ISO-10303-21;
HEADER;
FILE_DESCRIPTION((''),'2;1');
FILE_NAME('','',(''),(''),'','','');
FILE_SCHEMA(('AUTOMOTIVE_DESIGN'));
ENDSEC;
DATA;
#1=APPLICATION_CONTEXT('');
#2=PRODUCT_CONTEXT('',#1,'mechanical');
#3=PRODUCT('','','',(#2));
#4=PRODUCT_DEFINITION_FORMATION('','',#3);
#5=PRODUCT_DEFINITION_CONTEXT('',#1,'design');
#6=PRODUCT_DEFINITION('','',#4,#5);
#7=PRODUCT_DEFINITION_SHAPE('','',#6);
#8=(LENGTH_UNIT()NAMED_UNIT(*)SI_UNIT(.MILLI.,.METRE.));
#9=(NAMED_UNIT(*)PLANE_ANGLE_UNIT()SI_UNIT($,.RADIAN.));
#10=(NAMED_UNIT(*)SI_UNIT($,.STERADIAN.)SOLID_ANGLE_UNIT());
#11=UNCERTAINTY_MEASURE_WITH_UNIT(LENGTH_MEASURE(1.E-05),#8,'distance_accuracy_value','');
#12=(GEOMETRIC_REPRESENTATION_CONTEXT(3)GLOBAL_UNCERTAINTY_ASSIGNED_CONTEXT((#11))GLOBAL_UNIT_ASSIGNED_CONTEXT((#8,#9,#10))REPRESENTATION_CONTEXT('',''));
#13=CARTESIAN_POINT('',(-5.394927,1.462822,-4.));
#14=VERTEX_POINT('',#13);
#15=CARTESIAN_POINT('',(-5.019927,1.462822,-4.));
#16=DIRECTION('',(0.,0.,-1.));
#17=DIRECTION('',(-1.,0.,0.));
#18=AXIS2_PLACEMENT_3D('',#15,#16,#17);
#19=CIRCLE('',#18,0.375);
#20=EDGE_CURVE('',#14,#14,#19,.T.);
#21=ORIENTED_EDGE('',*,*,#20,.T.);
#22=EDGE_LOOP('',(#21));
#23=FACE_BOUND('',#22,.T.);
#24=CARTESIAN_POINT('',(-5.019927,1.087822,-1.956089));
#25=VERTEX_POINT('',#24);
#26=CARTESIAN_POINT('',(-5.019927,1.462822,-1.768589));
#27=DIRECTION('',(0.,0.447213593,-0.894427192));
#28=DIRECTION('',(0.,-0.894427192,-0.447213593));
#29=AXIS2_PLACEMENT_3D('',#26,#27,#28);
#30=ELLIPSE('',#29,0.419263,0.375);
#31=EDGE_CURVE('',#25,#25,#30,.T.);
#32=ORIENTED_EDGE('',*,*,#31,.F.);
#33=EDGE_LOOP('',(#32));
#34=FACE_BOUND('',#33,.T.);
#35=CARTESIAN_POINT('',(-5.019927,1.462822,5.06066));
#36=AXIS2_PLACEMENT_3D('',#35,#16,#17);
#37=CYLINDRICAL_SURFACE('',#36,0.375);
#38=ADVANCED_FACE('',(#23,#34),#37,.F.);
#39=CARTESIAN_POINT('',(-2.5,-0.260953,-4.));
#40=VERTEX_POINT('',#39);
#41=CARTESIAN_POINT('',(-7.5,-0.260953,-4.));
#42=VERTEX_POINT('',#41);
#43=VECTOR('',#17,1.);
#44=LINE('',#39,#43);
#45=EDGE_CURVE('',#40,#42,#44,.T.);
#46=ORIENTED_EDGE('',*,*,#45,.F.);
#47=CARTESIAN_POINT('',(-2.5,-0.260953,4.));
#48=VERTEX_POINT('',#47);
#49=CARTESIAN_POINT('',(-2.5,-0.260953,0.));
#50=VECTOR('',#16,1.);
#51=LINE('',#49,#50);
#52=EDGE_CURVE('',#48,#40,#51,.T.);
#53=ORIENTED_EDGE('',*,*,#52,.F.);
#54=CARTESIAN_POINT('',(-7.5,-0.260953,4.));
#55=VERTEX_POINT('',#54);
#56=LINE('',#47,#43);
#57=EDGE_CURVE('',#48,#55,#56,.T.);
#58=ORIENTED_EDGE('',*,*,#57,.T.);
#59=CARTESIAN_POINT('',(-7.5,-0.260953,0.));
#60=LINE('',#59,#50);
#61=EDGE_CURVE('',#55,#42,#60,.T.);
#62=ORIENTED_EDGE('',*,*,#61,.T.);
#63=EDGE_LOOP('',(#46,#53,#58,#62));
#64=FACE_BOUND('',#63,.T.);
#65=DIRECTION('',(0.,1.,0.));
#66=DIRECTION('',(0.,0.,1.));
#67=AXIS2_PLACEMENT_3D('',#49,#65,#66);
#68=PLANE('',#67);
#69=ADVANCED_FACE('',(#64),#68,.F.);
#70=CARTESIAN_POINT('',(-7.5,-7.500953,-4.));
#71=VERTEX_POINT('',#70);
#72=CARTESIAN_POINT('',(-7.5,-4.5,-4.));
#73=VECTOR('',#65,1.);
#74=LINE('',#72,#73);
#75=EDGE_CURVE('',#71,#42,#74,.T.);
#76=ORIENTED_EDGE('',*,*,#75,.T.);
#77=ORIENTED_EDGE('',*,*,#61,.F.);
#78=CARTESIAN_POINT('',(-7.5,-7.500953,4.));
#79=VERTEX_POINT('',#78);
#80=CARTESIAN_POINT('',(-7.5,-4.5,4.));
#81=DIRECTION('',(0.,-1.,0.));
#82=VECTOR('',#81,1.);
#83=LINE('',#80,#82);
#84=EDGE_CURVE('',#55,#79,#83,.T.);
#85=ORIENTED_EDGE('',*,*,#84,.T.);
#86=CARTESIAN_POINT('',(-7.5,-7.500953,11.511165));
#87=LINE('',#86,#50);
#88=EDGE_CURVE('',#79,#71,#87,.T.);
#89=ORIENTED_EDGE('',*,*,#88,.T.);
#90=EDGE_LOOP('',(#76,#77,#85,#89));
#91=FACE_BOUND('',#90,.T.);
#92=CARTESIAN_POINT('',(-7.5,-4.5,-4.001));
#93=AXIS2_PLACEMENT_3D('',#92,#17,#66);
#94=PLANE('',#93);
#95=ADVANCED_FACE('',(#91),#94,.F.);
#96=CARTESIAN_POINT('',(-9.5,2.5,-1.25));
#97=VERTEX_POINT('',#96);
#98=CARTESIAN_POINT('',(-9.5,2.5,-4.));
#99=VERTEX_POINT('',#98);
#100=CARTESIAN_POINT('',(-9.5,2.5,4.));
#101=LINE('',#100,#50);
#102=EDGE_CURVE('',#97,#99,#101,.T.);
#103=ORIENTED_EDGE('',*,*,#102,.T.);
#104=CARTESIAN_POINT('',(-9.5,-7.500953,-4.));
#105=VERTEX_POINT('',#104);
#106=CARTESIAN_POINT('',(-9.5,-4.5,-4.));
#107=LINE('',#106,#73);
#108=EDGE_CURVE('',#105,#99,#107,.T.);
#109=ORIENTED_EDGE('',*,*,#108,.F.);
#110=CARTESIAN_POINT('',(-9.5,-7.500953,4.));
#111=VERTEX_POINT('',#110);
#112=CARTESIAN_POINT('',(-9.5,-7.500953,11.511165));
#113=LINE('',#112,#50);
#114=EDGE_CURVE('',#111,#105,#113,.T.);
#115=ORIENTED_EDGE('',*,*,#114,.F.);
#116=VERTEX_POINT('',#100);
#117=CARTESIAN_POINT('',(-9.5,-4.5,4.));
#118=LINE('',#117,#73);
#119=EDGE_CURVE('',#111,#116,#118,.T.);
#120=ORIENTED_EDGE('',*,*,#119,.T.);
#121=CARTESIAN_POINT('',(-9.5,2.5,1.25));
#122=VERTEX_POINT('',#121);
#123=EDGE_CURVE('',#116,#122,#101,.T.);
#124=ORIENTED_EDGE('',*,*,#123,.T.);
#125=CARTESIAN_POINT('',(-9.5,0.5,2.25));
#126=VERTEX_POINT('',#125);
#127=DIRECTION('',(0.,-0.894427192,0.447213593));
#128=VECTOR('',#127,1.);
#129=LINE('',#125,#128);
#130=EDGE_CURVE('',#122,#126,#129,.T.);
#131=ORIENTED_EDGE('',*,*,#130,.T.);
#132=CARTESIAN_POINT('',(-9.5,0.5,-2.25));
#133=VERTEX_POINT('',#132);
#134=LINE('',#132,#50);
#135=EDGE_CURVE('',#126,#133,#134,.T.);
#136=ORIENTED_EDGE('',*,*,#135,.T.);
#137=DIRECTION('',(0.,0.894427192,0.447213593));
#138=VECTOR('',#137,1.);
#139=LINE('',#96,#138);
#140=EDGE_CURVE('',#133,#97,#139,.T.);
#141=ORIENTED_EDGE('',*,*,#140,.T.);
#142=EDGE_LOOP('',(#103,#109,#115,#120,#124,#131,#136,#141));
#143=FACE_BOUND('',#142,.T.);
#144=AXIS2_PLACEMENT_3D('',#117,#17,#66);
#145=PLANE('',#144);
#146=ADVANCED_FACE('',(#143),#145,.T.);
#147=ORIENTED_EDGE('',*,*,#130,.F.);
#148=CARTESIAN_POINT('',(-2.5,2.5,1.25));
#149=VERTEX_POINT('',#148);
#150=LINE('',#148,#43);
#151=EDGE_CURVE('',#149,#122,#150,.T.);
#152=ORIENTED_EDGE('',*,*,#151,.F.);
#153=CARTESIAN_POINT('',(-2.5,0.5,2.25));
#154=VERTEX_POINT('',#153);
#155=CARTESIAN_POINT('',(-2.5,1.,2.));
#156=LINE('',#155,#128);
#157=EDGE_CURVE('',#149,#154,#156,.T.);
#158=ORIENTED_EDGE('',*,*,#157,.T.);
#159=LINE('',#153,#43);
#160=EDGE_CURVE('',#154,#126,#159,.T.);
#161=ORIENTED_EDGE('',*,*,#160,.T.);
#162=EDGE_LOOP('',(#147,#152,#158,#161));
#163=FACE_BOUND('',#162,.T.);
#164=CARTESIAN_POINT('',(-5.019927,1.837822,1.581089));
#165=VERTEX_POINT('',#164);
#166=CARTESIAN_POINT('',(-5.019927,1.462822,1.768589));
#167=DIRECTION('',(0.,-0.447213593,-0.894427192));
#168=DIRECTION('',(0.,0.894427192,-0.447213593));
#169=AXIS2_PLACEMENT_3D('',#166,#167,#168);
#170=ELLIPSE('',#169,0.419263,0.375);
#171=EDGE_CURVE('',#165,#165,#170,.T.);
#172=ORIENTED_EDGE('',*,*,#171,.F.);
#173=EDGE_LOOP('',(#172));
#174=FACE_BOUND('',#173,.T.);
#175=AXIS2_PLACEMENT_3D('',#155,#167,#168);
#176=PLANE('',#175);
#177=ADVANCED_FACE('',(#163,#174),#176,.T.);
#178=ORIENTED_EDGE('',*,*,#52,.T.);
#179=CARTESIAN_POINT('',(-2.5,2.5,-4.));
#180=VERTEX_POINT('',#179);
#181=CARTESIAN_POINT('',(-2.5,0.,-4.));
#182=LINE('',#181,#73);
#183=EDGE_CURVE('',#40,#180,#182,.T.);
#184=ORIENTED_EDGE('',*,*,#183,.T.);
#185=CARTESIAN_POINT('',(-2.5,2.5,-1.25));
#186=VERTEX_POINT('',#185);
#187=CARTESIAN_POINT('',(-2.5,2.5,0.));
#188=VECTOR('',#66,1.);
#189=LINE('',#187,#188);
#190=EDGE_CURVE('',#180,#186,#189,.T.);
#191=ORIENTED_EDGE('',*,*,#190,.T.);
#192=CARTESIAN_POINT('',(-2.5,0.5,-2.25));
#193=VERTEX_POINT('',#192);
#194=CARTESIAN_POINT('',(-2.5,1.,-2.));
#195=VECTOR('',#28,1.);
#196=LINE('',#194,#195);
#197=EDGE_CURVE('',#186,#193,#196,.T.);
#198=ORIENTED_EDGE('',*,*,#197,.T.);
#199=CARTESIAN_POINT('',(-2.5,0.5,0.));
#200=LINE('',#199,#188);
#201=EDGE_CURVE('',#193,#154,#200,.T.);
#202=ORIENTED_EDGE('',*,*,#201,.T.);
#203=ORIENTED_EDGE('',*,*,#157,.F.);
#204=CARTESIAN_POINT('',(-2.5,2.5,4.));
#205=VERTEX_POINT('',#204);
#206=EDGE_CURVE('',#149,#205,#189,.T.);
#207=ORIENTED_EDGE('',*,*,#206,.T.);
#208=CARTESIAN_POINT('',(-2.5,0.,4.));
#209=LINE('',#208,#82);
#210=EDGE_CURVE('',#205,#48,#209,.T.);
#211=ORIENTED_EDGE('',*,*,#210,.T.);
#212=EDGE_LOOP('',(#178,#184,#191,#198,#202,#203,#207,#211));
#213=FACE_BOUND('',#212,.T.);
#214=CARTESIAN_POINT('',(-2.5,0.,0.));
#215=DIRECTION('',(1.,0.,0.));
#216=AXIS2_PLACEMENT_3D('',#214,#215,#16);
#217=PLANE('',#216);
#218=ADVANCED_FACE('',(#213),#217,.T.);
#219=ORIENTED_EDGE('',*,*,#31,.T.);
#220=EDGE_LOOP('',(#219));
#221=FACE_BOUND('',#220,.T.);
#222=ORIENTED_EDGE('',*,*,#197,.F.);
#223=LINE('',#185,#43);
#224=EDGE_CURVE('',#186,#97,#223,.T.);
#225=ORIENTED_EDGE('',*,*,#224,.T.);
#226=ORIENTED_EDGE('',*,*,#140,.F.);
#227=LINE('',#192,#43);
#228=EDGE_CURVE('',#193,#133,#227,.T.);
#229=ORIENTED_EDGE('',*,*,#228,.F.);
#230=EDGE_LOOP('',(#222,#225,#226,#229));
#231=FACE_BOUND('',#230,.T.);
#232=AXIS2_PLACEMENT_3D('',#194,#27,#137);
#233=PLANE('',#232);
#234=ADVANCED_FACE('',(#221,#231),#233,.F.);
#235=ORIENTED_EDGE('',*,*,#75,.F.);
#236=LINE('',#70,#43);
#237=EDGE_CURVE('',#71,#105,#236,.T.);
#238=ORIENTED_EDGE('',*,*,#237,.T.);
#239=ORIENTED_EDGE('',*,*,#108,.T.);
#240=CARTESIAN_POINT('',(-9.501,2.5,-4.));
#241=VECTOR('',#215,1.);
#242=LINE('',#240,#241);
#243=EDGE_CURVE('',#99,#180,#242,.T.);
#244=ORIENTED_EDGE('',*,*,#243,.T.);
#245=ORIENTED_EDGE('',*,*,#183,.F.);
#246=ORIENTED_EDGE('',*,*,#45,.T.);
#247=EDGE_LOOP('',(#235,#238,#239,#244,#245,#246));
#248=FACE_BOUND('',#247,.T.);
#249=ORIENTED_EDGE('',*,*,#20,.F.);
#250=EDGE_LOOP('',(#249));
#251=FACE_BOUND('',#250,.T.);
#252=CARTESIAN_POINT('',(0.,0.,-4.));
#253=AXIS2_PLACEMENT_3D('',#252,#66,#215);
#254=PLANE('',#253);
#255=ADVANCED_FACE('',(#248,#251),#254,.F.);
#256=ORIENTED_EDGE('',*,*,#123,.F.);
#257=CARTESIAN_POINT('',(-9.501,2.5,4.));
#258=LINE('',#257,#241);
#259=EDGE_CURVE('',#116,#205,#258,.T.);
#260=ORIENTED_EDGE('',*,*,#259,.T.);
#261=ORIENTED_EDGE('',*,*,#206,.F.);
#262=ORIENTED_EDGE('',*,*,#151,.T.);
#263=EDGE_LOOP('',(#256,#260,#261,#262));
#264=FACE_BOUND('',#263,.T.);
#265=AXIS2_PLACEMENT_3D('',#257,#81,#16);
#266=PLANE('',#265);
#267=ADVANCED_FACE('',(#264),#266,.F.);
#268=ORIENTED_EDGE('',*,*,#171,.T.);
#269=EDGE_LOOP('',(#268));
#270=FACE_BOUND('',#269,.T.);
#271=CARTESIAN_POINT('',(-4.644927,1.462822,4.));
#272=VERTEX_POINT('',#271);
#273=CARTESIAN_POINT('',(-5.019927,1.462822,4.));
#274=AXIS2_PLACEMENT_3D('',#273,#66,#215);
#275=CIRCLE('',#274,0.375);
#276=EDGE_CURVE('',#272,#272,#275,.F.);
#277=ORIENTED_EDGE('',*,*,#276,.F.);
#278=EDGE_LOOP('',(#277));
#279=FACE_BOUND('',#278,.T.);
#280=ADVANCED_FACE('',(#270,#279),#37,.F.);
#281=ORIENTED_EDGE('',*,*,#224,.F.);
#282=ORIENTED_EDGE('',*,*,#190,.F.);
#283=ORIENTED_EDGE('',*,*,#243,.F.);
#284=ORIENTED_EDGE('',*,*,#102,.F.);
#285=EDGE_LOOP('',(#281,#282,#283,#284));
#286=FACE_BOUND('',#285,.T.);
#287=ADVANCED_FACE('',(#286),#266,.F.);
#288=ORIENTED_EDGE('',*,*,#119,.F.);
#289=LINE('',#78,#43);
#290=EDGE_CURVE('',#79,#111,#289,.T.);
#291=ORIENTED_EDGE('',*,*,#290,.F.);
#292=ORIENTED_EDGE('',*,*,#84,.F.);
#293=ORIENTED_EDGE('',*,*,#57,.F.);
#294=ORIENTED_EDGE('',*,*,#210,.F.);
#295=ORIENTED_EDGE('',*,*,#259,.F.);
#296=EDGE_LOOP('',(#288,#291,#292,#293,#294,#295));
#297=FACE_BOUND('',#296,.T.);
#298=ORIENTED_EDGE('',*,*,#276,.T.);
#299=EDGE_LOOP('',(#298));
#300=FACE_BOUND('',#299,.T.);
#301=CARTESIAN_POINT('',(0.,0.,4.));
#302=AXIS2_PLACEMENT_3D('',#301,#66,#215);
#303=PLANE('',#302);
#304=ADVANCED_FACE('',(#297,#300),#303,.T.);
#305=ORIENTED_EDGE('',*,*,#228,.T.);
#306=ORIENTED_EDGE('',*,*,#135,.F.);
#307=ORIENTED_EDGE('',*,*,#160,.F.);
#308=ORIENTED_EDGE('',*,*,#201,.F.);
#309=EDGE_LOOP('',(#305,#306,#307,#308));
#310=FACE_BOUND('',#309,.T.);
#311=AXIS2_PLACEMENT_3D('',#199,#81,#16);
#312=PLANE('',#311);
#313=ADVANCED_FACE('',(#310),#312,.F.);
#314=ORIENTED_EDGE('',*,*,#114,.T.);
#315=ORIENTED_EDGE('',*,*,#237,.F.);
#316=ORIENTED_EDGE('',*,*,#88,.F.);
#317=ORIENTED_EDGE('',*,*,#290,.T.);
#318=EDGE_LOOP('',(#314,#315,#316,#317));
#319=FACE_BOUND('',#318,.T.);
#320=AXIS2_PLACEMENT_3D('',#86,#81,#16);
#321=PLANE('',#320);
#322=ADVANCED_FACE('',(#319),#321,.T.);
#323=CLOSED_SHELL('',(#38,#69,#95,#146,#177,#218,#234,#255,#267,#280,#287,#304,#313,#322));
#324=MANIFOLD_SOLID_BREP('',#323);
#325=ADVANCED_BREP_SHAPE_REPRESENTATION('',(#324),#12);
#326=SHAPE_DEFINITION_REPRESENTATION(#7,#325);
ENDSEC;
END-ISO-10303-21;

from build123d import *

# Parameters (mm, degrees)
SKETCH1_W           = 19
SKETCH1_H           = 9
BOSS_EXTRUDE1_DEPTH = 4
CUT_EXTRUDE1_REACH  = 10
SKETCH2_W           = 15
SKETCH2_H           = 7
CUT_EXTRUDE3_REACH  = 10
SKETCH5_W           = 2
SKETCH5_H           = 9
BOSS_EXTRUDE2_DEPTH = 5
CUT_EXTRUDE4_REACH  = 19
SKETCH7_W           = 8
SKETCH7_H           = 2
SKETCH8_R           = 0.375
CUT_EXTRUDE6_DEPTH  = 8
SKETCH9_W           = 2
SKETCH9_H           = 7.24
BOSS_EXTRUDE3_DEPTH = 8
CUT_EXTRUDE7_REACH  = 4


with BuildPart() as part:
    # Sketch1 → Boss-Extrude1 (new body, symmetric)
    with BuildSketch(Plane.XY):
        Rectangle(SKETCH1_W, SKETCH1_H)
    extrude(amount=BOSS_EXTRUDE1_DEPTH, both=True)

    # Sketch2 → Cut-Extrude1 (cut, up to next)
    with BuildSketch(Plane.XY.offset(4), mode=Mode.PRIVATE) as cut_extrude1_sk1:
        with Locations((0, -1)):
            Rectangle(SKETCH2_W, SKETCH2_H)
    cut_extrude1_tool1 = extrude(cut_extrude1_sk1.sketch, amount=-CUT_EXTRUDE1_REACH, mode=Mode.PRIVATE) & part.part
    add(cut_extrude1_tool1.solids().sort_by_distance((0, -1, 4))[0], mode=Mode.SUBTRACT)

    # Sketch5 → Cut-Extrude3 (cut, up to next)
    with BuildSketch(Plane.XY.offset(4), mode=Mode.PRIVATE) as cut_extrude3_sk1:
        with Locations((8.5, 0)):
            Rectangle(SKETCH5_W, SKETCH5_H)
    cut_extrude3_tool1 = extrude(cut_extrude3_sk1.sketch, amount=-CUT_EXTRUDE3_REACH, mode=Mode.PRIVATE) & part.part
    add(cut_extrude3_tool1.solids().sort_by_distance((8.5, 0, 4))[0], mode=Mode.SUBTRACT)

    # Sketch6 → Boss-Extrude2 (add)
    with BuildSketch(Plane(origin=(-7.5, 0, 0), x_dir=(0, 0, -1), z_dir=(1, 0, 0))):
        Polygon((4, 2.5), (1.25, 2.5), (2, 0.999999988), (2.249999998, 0.499999988), (-2.249999998, 0.499999988), (-2, 0.999999988), (-1.25, 2.5), (-4, 2.5), (-4, -0.260952874), (4, -0.260952874), align=None)
    extrude(amount=BOSS_EXTRUDE2_DEPTH)

    # Sketch7 → Cut-Extrude4 (cut, up to next)
    with BuildSketch(Plane(origin=(7.5, 0, 0), x_dir=(0, 0, -1), z_dir=(1, 0, 0)), mode=Mode.PRIVATE) as cut_extrude4_sk1:
        with Locations((0, 3.5)):
            Rectangle(SKETCH7_W, SKETCH7_H)
    cut_extrude4_tool1 = extrude(cut_extrude4_sk1.sketch, amount=-CUT_EXTRUDE4_REACH, mode=Mode.PRIVATE) & part.part
    add(cut_extrude4_tool1.solids().sort_by_distance((7.5, 3.5, 0))[0], mode=Mode.SUBTRACT)

    # Sketch8 → Cut-Extrude6 (cut)
    with BuildSketch(Plane(origin=(0, 0, -4), x_dir=(-1, 0, 0), z_dir=(0, 0, -1))):
        with Locations((5.019927309, 1.462821702)):
            Circle(SKETCH8_R)
    extrude(amount=-CUT_EXTRUDE6_DEPTH, mode=Mode.SUBTRACT)

    # Sketch9 → Boss-Extrude3 (add)
    with BuildSketch(Plane(origin=(0, 0, -4), x_dir=(-1, 0, 0), z_dir=(0, 0, -1))):
        with Locations((8.5, -3.880952874)):
            Rectangle(SKETCH9_W, SKETCH9_H)
    extrude(amount=-BOSS_EXTRUDE3_DEPTH)

    # Sketch10 → Cut-Extrude7 (cut, up to next)
    with BuildSketch(Plane(origin=(-7.5, 0, 0), x_dir=(0, 0, -1), z_dir=(1, 0, 0)), mode=Mode.PRIVATE) as cut_extrude7_sk1:
        Polygon((-2.249999998, 0.499999988), (-1.25, 2.5), (1.25, 2.5), (2.249999998, 0.499999988), align=None)
    cut_extrude7_tool1 = extrude(cut_extrude7_sk1.sketch, amount=-CUT_EXTRUDE7_REACH, mode=Mode.PRIVATE) & part.part
    add(cut_extrude7_tool1.solids().sort_by_distance((-7.5, 1.404762, 0))[0], mode=Mode.SUBTRACT)


solid = part.part
